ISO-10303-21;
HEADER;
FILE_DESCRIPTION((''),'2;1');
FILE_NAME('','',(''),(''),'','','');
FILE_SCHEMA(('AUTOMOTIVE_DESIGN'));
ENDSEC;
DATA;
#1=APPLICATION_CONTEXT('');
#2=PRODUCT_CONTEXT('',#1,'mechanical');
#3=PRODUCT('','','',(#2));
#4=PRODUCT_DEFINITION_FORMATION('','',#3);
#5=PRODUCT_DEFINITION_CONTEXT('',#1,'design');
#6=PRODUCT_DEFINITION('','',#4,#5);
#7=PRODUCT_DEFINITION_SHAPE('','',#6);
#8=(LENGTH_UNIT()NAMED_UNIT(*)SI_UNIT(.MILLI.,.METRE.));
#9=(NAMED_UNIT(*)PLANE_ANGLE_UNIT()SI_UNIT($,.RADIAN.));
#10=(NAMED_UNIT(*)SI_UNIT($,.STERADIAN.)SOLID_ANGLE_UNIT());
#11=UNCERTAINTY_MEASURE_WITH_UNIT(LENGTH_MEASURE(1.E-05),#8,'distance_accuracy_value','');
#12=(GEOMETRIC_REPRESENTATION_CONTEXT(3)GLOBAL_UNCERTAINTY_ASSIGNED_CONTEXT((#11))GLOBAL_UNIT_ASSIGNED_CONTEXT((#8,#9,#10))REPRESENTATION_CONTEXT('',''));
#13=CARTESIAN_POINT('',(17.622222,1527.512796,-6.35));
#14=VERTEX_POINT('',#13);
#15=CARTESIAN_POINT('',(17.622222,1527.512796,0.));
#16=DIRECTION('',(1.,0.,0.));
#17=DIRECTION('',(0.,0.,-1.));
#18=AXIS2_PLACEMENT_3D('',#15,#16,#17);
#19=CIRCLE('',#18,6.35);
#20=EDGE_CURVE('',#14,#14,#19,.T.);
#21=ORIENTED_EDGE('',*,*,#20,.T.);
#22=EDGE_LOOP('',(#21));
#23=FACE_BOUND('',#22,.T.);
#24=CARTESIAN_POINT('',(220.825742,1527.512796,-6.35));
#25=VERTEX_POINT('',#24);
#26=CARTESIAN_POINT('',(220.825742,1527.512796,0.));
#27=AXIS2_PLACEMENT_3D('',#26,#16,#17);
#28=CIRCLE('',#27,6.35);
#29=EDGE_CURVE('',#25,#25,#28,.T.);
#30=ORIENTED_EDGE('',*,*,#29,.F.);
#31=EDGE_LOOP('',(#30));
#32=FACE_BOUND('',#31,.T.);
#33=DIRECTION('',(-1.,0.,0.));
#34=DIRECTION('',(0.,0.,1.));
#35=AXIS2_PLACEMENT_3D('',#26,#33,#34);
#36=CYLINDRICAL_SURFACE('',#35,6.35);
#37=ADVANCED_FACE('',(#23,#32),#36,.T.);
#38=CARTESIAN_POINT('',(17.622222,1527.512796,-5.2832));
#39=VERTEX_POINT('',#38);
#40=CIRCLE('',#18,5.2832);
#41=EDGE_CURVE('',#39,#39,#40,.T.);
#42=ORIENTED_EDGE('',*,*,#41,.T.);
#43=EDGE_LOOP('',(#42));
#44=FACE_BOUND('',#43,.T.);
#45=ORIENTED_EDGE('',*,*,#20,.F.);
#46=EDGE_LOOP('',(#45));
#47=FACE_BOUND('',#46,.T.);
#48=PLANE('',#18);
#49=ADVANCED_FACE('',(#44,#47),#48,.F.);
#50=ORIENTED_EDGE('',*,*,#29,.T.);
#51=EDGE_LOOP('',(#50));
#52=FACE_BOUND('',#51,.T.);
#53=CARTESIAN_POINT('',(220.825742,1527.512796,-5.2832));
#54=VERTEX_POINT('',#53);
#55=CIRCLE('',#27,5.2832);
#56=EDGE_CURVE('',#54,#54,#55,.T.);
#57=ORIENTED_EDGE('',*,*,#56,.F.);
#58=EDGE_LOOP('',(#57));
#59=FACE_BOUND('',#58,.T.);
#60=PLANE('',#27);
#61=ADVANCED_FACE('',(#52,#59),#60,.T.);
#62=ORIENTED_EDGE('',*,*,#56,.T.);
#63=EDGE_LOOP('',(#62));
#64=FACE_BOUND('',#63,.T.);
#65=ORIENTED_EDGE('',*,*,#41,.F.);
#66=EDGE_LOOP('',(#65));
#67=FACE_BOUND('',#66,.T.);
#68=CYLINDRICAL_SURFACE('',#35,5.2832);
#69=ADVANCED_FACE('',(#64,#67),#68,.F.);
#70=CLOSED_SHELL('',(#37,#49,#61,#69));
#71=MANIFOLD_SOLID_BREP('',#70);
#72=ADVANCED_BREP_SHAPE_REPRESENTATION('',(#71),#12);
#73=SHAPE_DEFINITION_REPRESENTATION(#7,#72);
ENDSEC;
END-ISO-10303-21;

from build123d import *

# Parameters (mm, degrees)
SKETCH11_R              = 6.35
SKETCH11_R_2            = 5.2832
PIPE_0_5_SCH_40_1_DEPTH = 203.203520879


with BuildPart() as part:
    # Sketch11 → Pipe 0.5 SCH 40(1) (new body)
    with BuildSketch(Plane(origin=(17.622221572, 1527.512796137, 0), x_dir=(0, 1, 0), z_dir=(1, 0, 0))):
        Circle(SKETCH11_R)
        Circle(SKETCH11_R_2, mode=Mode.SUBTRACT)
    extrude(amount=PIPE_0_5_SCH_40_1_DEPTH)


solid = part.part
